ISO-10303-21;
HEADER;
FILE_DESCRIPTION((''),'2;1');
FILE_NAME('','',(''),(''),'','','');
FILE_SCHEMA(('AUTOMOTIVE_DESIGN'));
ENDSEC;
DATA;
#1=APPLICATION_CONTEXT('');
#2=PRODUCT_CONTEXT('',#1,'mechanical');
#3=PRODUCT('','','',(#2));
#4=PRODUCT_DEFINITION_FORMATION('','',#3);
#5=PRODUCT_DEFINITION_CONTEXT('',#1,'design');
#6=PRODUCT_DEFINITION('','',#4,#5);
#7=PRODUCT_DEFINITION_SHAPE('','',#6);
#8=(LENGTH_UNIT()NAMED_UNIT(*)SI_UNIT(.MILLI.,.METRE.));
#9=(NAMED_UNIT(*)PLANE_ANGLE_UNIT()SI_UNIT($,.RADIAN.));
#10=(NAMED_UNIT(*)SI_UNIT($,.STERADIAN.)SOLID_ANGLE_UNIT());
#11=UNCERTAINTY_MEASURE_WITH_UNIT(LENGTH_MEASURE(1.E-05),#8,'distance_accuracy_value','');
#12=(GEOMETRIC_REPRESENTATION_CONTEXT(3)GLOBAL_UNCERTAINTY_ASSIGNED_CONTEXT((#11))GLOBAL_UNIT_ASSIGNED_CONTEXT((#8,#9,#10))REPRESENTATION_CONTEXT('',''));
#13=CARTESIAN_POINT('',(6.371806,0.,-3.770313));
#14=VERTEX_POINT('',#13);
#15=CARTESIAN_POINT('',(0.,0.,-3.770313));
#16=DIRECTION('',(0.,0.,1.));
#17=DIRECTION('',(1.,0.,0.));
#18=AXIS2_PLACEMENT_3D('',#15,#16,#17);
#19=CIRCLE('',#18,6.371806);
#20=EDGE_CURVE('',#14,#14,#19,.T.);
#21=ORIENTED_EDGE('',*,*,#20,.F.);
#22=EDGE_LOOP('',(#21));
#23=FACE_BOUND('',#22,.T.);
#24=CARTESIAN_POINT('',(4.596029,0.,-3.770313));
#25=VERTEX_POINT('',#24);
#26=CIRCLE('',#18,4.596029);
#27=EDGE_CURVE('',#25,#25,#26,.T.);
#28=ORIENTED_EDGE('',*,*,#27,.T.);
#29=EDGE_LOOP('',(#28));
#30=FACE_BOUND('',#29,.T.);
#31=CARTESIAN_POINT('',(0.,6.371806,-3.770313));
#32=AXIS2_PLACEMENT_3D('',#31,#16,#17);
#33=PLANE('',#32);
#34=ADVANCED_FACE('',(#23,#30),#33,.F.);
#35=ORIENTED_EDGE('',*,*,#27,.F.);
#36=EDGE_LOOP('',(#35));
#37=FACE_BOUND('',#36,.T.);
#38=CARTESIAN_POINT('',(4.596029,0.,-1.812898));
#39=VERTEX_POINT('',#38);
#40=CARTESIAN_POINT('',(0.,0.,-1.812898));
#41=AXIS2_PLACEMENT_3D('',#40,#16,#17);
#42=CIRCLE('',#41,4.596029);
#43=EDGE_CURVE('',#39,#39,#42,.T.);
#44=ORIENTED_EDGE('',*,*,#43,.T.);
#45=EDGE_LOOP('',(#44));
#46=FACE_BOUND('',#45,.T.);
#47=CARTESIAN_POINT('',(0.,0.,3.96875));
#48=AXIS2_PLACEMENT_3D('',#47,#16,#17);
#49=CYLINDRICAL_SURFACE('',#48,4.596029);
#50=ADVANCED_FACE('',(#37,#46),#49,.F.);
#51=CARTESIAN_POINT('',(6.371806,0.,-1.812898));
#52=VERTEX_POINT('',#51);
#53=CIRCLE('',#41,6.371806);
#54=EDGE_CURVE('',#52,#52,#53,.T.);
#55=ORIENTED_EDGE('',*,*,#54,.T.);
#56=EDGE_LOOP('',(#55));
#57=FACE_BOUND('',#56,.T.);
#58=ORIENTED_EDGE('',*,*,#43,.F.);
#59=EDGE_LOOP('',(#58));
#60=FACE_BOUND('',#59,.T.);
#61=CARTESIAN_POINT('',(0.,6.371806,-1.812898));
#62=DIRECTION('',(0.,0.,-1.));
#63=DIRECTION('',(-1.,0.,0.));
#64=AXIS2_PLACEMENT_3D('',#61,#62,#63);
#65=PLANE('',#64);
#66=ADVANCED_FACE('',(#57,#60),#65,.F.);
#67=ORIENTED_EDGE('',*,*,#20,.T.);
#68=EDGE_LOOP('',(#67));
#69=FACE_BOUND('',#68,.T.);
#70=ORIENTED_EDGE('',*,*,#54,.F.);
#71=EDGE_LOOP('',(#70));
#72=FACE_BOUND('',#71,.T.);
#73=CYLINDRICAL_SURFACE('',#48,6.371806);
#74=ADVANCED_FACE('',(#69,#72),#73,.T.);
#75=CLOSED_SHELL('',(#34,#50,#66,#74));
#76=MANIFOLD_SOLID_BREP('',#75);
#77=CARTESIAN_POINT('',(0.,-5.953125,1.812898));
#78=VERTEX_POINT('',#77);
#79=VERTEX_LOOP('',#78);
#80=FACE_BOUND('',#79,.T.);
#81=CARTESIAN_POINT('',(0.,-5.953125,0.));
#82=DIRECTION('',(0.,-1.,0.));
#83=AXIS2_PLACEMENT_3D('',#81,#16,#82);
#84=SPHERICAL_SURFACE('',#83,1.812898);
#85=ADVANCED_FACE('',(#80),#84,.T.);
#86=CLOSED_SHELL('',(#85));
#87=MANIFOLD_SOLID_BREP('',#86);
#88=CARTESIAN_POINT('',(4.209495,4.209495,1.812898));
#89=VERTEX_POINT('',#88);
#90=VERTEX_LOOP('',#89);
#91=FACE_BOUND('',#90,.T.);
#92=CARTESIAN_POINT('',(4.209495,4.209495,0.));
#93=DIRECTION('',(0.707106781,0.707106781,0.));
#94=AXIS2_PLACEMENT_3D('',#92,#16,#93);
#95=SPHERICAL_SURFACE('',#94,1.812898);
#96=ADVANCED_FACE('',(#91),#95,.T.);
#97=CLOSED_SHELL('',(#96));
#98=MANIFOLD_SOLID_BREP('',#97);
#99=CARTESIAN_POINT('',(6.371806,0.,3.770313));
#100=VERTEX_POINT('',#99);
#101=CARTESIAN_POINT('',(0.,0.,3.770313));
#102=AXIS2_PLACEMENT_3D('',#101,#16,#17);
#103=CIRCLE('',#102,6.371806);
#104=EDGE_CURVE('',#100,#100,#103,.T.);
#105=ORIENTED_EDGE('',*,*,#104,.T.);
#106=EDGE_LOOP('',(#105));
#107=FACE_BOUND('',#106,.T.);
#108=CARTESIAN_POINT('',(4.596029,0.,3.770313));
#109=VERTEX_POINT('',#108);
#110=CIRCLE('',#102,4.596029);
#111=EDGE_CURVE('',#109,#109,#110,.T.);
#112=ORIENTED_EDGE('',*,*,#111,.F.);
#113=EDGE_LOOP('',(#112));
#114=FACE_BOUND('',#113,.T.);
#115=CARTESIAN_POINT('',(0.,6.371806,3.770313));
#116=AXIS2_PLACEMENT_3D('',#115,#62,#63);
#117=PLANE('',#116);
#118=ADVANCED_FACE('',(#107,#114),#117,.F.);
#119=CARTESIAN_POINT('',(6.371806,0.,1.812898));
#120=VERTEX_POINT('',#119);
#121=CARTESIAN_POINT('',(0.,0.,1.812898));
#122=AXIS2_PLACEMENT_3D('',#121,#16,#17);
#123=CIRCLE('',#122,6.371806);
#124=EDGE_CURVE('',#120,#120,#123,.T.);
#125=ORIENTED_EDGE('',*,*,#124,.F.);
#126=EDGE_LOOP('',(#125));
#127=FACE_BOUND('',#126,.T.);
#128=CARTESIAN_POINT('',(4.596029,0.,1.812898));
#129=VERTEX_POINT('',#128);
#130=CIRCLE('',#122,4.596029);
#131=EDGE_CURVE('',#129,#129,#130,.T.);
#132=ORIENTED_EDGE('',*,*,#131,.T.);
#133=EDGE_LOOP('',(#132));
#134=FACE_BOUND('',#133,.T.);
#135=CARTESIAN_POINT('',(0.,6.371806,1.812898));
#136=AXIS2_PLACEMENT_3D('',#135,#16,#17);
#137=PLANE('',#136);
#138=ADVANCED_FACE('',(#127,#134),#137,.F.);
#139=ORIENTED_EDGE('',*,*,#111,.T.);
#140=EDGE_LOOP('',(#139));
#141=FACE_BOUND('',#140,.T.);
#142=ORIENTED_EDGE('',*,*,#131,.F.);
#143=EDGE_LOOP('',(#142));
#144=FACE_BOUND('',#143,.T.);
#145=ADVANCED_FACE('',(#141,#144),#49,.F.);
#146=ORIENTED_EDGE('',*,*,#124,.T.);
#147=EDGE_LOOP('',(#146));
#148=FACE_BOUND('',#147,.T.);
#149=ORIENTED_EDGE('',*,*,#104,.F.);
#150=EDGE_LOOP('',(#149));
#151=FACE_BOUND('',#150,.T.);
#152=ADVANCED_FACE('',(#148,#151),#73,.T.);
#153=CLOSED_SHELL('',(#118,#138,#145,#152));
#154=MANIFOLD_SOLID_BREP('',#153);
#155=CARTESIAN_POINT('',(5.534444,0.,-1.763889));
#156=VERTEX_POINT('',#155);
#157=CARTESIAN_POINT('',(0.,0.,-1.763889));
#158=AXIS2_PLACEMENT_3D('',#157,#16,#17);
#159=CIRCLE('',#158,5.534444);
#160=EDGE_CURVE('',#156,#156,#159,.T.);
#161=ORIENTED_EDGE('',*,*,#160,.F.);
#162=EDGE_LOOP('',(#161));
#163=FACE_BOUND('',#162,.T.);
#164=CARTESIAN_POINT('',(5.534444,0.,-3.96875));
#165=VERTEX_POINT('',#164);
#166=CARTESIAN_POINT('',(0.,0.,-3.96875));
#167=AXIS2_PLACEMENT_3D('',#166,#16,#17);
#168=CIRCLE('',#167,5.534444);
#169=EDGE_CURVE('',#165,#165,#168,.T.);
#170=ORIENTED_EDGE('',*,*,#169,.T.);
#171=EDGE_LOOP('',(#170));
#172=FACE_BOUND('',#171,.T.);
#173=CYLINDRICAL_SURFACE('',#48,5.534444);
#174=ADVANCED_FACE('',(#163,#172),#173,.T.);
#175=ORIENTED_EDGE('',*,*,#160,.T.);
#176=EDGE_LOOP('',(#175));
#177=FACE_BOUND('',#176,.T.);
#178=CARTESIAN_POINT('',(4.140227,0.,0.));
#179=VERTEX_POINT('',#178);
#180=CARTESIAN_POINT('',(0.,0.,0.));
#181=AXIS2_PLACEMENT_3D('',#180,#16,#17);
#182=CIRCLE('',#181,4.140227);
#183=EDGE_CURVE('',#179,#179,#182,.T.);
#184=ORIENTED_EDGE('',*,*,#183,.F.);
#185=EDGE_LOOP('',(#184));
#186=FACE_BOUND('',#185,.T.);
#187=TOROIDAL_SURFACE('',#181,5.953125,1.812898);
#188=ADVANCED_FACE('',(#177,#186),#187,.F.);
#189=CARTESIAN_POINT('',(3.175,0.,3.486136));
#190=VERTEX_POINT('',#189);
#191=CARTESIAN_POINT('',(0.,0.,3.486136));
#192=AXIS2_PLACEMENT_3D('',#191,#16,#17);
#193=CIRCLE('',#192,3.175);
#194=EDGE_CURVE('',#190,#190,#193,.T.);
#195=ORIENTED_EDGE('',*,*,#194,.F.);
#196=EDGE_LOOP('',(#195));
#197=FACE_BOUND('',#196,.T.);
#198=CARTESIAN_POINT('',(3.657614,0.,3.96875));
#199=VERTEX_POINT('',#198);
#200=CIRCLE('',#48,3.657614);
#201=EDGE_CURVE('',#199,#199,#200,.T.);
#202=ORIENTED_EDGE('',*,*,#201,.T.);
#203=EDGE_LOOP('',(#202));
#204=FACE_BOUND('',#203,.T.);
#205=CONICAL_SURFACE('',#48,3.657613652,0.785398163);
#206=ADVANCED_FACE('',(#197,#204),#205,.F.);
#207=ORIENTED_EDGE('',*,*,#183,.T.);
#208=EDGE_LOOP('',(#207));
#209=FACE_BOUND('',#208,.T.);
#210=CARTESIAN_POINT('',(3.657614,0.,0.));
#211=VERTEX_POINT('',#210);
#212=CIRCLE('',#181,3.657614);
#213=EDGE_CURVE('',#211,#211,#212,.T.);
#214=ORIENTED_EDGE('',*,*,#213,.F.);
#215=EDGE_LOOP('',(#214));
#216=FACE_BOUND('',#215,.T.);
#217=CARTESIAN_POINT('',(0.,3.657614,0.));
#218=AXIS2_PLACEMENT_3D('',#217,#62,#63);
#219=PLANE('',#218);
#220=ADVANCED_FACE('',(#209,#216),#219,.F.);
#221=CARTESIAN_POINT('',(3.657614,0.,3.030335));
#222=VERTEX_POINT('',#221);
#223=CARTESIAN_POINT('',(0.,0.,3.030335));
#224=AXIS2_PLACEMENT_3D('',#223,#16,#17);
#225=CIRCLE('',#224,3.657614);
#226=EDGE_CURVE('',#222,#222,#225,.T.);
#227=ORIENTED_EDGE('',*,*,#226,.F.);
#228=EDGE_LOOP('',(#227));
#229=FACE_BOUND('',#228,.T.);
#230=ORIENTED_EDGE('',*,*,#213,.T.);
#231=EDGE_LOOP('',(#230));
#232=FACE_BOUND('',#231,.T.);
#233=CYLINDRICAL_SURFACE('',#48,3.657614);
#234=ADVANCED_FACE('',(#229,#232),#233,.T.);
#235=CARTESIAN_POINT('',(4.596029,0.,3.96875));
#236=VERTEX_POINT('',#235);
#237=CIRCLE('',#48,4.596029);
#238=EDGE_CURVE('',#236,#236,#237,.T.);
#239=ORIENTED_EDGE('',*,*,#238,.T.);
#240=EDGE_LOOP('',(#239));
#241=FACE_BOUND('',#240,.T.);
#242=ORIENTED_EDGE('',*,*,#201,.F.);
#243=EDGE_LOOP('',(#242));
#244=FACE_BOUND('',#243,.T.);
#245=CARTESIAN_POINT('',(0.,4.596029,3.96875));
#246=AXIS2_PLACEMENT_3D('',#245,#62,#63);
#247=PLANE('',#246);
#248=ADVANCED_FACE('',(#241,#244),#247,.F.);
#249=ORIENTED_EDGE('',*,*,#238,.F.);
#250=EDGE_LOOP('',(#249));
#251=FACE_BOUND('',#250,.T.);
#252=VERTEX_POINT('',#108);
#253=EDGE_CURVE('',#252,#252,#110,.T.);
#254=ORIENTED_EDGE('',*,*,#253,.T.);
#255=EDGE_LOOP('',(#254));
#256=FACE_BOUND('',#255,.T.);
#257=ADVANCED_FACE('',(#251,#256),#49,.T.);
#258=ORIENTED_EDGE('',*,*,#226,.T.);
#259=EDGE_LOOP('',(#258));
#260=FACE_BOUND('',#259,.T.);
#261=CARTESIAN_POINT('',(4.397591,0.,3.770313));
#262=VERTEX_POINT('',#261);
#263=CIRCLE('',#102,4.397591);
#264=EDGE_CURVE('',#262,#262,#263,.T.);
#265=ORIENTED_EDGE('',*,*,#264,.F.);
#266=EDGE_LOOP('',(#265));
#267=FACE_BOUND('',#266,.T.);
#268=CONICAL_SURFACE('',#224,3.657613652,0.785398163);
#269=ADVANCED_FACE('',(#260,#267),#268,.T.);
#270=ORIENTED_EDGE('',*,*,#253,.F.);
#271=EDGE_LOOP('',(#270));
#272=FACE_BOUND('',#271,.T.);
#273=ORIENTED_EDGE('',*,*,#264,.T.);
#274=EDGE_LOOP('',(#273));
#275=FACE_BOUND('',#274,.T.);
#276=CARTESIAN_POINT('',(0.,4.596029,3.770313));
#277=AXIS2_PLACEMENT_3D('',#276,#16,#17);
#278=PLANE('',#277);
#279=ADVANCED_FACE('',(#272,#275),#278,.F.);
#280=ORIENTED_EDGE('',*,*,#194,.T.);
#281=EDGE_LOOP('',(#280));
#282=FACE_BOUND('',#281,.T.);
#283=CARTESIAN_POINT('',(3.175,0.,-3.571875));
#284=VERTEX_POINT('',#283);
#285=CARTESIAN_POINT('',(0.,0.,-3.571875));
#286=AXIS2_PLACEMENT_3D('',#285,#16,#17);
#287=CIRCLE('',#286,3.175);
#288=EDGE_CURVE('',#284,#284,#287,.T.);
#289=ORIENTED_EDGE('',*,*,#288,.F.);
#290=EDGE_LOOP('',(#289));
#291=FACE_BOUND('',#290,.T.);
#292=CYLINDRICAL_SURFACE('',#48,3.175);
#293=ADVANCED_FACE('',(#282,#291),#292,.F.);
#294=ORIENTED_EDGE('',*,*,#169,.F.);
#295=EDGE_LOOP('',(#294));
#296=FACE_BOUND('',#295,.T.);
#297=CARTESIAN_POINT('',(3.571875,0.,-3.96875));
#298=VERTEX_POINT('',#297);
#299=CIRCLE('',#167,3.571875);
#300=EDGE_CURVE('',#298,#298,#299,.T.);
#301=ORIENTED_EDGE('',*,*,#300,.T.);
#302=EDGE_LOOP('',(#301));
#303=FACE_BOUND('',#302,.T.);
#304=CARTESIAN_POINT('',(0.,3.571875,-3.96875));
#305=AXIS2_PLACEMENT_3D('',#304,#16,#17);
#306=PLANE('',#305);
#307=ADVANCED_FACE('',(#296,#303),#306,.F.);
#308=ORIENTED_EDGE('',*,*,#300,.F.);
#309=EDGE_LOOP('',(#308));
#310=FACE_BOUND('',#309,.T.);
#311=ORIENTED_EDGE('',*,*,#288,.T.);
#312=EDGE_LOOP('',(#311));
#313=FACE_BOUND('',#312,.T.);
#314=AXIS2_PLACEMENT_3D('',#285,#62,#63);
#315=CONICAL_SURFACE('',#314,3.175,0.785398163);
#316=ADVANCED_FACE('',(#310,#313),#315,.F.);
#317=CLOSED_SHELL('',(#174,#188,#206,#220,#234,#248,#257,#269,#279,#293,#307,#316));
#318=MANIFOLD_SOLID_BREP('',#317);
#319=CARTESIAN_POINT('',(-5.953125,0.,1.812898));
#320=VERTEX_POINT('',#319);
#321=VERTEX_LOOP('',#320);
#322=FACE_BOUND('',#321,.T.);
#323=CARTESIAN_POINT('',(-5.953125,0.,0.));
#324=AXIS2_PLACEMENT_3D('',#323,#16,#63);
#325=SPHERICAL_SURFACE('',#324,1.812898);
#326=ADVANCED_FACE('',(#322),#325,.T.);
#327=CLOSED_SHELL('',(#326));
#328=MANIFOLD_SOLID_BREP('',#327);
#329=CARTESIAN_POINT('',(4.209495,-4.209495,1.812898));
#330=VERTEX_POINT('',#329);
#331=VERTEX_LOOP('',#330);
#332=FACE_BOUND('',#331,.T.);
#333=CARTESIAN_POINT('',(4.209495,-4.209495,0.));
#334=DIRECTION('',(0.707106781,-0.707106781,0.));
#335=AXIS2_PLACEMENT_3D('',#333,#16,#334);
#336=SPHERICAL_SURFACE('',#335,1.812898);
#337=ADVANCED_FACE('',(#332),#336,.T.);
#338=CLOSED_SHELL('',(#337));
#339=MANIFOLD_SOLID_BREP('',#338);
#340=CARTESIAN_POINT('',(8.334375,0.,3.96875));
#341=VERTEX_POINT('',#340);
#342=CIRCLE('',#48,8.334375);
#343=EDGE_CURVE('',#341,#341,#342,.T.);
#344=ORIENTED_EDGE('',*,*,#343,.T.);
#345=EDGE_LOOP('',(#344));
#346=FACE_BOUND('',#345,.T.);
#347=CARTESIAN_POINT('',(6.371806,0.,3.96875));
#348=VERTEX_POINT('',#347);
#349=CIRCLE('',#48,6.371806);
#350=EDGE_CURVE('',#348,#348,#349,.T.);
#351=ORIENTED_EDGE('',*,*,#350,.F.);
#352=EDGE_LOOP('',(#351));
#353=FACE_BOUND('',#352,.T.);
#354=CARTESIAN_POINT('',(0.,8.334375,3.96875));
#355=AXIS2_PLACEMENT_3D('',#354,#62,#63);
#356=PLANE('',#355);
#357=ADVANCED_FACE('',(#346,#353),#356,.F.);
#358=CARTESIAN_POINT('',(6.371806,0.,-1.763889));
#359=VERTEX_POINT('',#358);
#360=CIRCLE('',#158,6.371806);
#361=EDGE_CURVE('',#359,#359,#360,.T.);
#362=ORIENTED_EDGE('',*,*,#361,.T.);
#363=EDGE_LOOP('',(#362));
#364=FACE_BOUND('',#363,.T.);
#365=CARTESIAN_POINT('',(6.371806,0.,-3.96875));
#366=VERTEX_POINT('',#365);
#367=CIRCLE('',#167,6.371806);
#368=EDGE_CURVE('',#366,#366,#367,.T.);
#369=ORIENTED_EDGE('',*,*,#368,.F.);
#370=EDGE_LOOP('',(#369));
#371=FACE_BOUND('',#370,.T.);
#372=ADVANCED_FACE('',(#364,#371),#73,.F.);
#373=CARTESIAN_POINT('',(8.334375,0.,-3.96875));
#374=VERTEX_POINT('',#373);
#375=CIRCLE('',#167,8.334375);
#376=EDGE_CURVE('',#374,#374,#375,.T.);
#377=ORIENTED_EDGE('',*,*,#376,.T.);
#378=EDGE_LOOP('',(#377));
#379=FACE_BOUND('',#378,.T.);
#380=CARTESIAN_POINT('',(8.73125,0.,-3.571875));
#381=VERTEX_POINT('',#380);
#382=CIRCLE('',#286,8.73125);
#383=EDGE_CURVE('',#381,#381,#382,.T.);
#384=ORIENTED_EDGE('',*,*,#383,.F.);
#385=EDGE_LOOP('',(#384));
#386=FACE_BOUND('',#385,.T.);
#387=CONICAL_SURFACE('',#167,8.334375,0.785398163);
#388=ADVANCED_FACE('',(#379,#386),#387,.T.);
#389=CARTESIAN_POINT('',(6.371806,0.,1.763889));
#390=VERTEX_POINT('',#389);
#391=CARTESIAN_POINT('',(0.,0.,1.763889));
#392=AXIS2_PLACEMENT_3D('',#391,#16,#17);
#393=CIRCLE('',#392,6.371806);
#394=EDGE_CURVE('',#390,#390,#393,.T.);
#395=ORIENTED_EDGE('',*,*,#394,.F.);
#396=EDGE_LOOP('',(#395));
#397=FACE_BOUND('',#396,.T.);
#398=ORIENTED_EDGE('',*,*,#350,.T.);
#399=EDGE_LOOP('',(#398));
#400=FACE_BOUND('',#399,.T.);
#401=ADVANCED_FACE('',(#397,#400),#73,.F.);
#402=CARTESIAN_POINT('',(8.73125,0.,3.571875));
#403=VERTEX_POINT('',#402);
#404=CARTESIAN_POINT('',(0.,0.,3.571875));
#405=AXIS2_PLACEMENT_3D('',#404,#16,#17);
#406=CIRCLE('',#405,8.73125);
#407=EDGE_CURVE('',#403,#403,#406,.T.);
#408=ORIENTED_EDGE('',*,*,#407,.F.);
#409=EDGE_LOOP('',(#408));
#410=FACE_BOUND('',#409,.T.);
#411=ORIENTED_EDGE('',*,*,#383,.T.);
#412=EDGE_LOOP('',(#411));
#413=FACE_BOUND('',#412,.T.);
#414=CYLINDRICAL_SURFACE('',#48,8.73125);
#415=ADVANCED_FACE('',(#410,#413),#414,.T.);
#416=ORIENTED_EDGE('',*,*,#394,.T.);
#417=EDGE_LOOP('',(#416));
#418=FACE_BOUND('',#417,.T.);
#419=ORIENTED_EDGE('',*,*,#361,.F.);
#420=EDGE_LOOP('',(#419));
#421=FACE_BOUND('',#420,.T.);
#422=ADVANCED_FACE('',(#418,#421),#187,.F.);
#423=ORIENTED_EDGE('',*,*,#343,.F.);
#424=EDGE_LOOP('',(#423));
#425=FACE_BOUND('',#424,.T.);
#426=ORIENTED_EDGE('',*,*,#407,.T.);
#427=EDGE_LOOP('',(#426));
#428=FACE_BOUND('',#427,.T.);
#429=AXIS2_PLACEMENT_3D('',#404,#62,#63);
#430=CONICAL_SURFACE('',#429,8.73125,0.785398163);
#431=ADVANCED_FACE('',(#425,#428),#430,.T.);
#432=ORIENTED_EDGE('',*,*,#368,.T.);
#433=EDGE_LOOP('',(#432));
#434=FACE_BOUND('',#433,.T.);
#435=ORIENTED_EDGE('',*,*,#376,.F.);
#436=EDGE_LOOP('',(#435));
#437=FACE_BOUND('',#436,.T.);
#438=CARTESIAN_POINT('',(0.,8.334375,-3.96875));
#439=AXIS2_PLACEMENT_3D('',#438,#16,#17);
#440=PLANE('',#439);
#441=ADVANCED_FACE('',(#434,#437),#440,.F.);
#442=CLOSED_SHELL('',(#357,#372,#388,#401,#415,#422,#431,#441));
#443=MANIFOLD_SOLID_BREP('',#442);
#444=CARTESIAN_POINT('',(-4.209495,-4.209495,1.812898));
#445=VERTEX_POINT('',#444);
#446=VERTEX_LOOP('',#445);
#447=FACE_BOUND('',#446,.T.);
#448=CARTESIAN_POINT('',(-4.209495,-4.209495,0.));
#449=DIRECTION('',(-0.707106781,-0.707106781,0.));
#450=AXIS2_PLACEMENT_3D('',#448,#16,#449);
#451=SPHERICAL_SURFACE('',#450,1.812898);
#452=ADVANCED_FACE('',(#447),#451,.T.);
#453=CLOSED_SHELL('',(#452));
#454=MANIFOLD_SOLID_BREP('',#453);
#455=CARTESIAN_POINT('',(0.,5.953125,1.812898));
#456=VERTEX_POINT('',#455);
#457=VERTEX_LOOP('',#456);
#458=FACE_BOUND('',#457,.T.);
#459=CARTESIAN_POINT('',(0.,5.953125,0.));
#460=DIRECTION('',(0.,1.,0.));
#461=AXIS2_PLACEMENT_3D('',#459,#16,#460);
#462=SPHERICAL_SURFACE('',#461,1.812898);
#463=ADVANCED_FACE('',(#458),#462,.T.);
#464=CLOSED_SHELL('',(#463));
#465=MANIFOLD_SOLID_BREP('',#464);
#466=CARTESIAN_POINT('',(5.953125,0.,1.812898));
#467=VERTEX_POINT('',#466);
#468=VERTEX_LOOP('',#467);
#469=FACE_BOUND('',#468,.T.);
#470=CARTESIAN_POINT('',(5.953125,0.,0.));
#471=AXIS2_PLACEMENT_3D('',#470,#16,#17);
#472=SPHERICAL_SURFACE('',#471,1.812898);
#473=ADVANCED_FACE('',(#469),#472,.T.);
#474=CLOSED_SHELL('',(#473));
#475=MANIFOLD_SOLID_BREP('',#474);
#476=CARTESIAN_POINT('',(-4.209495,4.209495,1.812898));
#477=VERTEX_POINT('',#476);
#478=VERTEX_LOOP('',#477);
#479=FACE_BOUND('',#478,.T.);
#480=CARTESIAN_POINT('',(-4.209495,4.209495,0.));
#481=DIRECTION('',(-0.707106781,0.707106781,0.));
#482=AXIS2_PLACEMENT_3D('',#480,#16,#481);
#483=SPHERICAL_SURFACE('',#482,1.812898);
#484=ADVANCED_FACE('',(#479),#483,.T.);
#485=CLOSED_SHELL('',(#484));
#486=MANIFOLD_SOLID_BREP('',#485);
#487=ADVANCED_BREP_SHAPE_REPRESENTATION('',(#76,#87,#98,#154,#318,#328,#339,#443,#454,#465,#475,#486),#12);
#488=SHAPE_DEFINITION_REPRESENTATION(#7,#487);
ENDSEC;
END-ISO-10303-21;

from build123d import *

# Parameters (mm, degrees)
CIRPATTERN1_COUNT = 8
SKETCH5_W         = 1.957414803
SKETCH5_H         = 1.775777653


with BuildPart() as part:
    # Sketch1 → Revolve1 (revolve)
    with BuildSketch(Plane(origin=(0, 0, 0), x_dir=(0, 0, -1), z_dir=(1, 0, 0))):
        with BuildLine():
            Line((3.571875, 8.73125), (-3.571875, 8.73125))
            Line((-3.571875, 8.73125), (-3.96875, 8.334375))
            Line((-3.96875, 8.334375), (-3.96875, 6.371806319))
            Line((-3.96875, 6.371806319), (-1.763888889, 6.371806319))
            ThreePointArc((-1.763888889, 6.371806319), (0, 7.766022697), (1.763888889, 6.371806319))
            Line((1.763888889, 6.371806319), (3.96875, 6.371806319))
            Line((3.96875, 6.371806319), (3.96875, 8.334375))
            Line((3.96875, 8.334375), (3.571875, 8.73125))
        make_face()
    revolve(axis=Axis((0, 0, 3.96875), (0, 0, -1)))


with BuildPart() as body_2:
    # Sketch3 → Revolve3 (revolve)
    with BuildSketch(Plane(origin=(0, 0, 0), x_dir=(0, 0, -1), z_dir=(1, 0, 0))):
        with BuildLine():
            Line((-3.7703125, 4.397591166), (-3.030334985, 3.657613652))
            Line((-3.030334985, 3.657613652), (0, 3.657613652))
            Line((0, 3.657613652), (0, 4.140227303))
            ThreePointArc((0, 4.140227303), (1.124182294, 4.530868965), (1.763888889, 5.534443681))
            Line((1.763888889, 5.534443681), (3.96875, 5.534443681))
            Line((3.96875, 5.534443681), (3.96875, 3.571875))
            Line((3.96875, 3.571875), (3.571875, 3.175))
            Line((3.571875, 3.175), (-3.486136348, 3.175))
            Line((-3.486136348, 3.175), (-3.96875, 3.657613652))
            Line((-3.96875, 3.657613652), (-3.96875, 4.596028666))
            Line((-3.96875, 4.596028666), (-3.7703125, 4.596028666))
            Line((-3.7703125, 4.596028666), (-3.7703125, 4.397591166))
        make_face()
    revolve(axis=Axis((0, 0, 3.96875), (0, 0, -1)))


with BuildPart() as body_3:
    # Sketch4 → Revolve4 (revolve)
    with BuildSketch(Plane(origin=(0, 0, 0), x_dir=(0, 0, -1), z_dir=(1, 0, 0))):
        with BuildLine():
            Line((-1.812897697, 5.953125), (1.812897697, 5.953125))
            ThreePointArc((1.812897697, 5.953125), (0, 7.766022697), (-1.812897697, 5.953125))
        make_face()
    revolve(axis=Axis((0, 5.953125, 1.812897697), (0, 0, -1)))


with BuildPart() as cirpattern1_1:
    # CirPattern1: pattern copy
    add(body_3.part.rotate(Axis((0, 0, -3.96875), (0, 0, 1)), 1 * 360 / CIRPATTERN1_COUNT))


with BuildPart() as cirpattern1_2:
    # CirPattern1: pattern copy
    add(body_3.part.rotate(Axis((0, 0, -3.96875), (0, 0, 1)), 2 * 360 / CIRPATTERN1_COUNT))


with BuildPart() as cirpattern1_3:
    # CirPattern1: pattern copy
    add(body_3.part.rotate(Axis((0, 0, -3.96875), (0, 0, 1)), 3 * 360 / CIRPATTERN1_COUNT))


with BuildPart() as cirpattern1_4:
    # CirPattern1: pattern copy
    add(body_3.part.rotate(Axis((0, 0, -3.96875), (0, 0, 1)), 4 * 360 / CIRPATTERN1_COUNT))


with BuildPart() as cirpattern1_5:
    # CirPattern1: pattern copy
    add(body_3.part.rotate(Axis((0, 0, -3.96875), (0, 0, 1)), 5 * 360 / CIRPATTERN1_COUNT))


with BuildPart() as cirpattern1_6:
    # CirPattern1: pattern copy
    add(body_3.part.rotate(Axis((0, 0, -3.96875), (0, 0, 1)), 6 * 360 / CIRPATTERN1_COUNT))


with BuildPart() as cirpattern1_7:
    # CirPattern1: pattern copy
    add(body_3.part.rotate(Axis((0, 0, -3.96875), (0, 0, 1)), 7 * 360 / CIRPATTERN1_COUNT))


with BuildPart() as body_11:
    # Sketch5 → Revolve5 (revolve)
    with BuildSketch(Plane(origin=(0, 0, 0), x_dir=(0, 0, -1), z_dir=(1, 0, 0))):
        with Locations((-2.791605099, 5.483917492)):
            Rectangle(SKETCH5_W, SKETCH5_H)
        with Locations((2.791605099, 5.483917492)):
            Rectangle(SKETCH5_W, SKETCH5_H)
    revolve(axis=Axis((0, 0, 3.96875), (0, 0, -1)))


solid = Compound([part.part, body_2.part, body_3.part, cirpattern1_1.part, cirpattern1_2.part, cirpattern1_3.part, cirpattern1_4.part, cirpattern1_5.part, cirpattern1_6.part, cirpattern1_7.part, body_11.part])
